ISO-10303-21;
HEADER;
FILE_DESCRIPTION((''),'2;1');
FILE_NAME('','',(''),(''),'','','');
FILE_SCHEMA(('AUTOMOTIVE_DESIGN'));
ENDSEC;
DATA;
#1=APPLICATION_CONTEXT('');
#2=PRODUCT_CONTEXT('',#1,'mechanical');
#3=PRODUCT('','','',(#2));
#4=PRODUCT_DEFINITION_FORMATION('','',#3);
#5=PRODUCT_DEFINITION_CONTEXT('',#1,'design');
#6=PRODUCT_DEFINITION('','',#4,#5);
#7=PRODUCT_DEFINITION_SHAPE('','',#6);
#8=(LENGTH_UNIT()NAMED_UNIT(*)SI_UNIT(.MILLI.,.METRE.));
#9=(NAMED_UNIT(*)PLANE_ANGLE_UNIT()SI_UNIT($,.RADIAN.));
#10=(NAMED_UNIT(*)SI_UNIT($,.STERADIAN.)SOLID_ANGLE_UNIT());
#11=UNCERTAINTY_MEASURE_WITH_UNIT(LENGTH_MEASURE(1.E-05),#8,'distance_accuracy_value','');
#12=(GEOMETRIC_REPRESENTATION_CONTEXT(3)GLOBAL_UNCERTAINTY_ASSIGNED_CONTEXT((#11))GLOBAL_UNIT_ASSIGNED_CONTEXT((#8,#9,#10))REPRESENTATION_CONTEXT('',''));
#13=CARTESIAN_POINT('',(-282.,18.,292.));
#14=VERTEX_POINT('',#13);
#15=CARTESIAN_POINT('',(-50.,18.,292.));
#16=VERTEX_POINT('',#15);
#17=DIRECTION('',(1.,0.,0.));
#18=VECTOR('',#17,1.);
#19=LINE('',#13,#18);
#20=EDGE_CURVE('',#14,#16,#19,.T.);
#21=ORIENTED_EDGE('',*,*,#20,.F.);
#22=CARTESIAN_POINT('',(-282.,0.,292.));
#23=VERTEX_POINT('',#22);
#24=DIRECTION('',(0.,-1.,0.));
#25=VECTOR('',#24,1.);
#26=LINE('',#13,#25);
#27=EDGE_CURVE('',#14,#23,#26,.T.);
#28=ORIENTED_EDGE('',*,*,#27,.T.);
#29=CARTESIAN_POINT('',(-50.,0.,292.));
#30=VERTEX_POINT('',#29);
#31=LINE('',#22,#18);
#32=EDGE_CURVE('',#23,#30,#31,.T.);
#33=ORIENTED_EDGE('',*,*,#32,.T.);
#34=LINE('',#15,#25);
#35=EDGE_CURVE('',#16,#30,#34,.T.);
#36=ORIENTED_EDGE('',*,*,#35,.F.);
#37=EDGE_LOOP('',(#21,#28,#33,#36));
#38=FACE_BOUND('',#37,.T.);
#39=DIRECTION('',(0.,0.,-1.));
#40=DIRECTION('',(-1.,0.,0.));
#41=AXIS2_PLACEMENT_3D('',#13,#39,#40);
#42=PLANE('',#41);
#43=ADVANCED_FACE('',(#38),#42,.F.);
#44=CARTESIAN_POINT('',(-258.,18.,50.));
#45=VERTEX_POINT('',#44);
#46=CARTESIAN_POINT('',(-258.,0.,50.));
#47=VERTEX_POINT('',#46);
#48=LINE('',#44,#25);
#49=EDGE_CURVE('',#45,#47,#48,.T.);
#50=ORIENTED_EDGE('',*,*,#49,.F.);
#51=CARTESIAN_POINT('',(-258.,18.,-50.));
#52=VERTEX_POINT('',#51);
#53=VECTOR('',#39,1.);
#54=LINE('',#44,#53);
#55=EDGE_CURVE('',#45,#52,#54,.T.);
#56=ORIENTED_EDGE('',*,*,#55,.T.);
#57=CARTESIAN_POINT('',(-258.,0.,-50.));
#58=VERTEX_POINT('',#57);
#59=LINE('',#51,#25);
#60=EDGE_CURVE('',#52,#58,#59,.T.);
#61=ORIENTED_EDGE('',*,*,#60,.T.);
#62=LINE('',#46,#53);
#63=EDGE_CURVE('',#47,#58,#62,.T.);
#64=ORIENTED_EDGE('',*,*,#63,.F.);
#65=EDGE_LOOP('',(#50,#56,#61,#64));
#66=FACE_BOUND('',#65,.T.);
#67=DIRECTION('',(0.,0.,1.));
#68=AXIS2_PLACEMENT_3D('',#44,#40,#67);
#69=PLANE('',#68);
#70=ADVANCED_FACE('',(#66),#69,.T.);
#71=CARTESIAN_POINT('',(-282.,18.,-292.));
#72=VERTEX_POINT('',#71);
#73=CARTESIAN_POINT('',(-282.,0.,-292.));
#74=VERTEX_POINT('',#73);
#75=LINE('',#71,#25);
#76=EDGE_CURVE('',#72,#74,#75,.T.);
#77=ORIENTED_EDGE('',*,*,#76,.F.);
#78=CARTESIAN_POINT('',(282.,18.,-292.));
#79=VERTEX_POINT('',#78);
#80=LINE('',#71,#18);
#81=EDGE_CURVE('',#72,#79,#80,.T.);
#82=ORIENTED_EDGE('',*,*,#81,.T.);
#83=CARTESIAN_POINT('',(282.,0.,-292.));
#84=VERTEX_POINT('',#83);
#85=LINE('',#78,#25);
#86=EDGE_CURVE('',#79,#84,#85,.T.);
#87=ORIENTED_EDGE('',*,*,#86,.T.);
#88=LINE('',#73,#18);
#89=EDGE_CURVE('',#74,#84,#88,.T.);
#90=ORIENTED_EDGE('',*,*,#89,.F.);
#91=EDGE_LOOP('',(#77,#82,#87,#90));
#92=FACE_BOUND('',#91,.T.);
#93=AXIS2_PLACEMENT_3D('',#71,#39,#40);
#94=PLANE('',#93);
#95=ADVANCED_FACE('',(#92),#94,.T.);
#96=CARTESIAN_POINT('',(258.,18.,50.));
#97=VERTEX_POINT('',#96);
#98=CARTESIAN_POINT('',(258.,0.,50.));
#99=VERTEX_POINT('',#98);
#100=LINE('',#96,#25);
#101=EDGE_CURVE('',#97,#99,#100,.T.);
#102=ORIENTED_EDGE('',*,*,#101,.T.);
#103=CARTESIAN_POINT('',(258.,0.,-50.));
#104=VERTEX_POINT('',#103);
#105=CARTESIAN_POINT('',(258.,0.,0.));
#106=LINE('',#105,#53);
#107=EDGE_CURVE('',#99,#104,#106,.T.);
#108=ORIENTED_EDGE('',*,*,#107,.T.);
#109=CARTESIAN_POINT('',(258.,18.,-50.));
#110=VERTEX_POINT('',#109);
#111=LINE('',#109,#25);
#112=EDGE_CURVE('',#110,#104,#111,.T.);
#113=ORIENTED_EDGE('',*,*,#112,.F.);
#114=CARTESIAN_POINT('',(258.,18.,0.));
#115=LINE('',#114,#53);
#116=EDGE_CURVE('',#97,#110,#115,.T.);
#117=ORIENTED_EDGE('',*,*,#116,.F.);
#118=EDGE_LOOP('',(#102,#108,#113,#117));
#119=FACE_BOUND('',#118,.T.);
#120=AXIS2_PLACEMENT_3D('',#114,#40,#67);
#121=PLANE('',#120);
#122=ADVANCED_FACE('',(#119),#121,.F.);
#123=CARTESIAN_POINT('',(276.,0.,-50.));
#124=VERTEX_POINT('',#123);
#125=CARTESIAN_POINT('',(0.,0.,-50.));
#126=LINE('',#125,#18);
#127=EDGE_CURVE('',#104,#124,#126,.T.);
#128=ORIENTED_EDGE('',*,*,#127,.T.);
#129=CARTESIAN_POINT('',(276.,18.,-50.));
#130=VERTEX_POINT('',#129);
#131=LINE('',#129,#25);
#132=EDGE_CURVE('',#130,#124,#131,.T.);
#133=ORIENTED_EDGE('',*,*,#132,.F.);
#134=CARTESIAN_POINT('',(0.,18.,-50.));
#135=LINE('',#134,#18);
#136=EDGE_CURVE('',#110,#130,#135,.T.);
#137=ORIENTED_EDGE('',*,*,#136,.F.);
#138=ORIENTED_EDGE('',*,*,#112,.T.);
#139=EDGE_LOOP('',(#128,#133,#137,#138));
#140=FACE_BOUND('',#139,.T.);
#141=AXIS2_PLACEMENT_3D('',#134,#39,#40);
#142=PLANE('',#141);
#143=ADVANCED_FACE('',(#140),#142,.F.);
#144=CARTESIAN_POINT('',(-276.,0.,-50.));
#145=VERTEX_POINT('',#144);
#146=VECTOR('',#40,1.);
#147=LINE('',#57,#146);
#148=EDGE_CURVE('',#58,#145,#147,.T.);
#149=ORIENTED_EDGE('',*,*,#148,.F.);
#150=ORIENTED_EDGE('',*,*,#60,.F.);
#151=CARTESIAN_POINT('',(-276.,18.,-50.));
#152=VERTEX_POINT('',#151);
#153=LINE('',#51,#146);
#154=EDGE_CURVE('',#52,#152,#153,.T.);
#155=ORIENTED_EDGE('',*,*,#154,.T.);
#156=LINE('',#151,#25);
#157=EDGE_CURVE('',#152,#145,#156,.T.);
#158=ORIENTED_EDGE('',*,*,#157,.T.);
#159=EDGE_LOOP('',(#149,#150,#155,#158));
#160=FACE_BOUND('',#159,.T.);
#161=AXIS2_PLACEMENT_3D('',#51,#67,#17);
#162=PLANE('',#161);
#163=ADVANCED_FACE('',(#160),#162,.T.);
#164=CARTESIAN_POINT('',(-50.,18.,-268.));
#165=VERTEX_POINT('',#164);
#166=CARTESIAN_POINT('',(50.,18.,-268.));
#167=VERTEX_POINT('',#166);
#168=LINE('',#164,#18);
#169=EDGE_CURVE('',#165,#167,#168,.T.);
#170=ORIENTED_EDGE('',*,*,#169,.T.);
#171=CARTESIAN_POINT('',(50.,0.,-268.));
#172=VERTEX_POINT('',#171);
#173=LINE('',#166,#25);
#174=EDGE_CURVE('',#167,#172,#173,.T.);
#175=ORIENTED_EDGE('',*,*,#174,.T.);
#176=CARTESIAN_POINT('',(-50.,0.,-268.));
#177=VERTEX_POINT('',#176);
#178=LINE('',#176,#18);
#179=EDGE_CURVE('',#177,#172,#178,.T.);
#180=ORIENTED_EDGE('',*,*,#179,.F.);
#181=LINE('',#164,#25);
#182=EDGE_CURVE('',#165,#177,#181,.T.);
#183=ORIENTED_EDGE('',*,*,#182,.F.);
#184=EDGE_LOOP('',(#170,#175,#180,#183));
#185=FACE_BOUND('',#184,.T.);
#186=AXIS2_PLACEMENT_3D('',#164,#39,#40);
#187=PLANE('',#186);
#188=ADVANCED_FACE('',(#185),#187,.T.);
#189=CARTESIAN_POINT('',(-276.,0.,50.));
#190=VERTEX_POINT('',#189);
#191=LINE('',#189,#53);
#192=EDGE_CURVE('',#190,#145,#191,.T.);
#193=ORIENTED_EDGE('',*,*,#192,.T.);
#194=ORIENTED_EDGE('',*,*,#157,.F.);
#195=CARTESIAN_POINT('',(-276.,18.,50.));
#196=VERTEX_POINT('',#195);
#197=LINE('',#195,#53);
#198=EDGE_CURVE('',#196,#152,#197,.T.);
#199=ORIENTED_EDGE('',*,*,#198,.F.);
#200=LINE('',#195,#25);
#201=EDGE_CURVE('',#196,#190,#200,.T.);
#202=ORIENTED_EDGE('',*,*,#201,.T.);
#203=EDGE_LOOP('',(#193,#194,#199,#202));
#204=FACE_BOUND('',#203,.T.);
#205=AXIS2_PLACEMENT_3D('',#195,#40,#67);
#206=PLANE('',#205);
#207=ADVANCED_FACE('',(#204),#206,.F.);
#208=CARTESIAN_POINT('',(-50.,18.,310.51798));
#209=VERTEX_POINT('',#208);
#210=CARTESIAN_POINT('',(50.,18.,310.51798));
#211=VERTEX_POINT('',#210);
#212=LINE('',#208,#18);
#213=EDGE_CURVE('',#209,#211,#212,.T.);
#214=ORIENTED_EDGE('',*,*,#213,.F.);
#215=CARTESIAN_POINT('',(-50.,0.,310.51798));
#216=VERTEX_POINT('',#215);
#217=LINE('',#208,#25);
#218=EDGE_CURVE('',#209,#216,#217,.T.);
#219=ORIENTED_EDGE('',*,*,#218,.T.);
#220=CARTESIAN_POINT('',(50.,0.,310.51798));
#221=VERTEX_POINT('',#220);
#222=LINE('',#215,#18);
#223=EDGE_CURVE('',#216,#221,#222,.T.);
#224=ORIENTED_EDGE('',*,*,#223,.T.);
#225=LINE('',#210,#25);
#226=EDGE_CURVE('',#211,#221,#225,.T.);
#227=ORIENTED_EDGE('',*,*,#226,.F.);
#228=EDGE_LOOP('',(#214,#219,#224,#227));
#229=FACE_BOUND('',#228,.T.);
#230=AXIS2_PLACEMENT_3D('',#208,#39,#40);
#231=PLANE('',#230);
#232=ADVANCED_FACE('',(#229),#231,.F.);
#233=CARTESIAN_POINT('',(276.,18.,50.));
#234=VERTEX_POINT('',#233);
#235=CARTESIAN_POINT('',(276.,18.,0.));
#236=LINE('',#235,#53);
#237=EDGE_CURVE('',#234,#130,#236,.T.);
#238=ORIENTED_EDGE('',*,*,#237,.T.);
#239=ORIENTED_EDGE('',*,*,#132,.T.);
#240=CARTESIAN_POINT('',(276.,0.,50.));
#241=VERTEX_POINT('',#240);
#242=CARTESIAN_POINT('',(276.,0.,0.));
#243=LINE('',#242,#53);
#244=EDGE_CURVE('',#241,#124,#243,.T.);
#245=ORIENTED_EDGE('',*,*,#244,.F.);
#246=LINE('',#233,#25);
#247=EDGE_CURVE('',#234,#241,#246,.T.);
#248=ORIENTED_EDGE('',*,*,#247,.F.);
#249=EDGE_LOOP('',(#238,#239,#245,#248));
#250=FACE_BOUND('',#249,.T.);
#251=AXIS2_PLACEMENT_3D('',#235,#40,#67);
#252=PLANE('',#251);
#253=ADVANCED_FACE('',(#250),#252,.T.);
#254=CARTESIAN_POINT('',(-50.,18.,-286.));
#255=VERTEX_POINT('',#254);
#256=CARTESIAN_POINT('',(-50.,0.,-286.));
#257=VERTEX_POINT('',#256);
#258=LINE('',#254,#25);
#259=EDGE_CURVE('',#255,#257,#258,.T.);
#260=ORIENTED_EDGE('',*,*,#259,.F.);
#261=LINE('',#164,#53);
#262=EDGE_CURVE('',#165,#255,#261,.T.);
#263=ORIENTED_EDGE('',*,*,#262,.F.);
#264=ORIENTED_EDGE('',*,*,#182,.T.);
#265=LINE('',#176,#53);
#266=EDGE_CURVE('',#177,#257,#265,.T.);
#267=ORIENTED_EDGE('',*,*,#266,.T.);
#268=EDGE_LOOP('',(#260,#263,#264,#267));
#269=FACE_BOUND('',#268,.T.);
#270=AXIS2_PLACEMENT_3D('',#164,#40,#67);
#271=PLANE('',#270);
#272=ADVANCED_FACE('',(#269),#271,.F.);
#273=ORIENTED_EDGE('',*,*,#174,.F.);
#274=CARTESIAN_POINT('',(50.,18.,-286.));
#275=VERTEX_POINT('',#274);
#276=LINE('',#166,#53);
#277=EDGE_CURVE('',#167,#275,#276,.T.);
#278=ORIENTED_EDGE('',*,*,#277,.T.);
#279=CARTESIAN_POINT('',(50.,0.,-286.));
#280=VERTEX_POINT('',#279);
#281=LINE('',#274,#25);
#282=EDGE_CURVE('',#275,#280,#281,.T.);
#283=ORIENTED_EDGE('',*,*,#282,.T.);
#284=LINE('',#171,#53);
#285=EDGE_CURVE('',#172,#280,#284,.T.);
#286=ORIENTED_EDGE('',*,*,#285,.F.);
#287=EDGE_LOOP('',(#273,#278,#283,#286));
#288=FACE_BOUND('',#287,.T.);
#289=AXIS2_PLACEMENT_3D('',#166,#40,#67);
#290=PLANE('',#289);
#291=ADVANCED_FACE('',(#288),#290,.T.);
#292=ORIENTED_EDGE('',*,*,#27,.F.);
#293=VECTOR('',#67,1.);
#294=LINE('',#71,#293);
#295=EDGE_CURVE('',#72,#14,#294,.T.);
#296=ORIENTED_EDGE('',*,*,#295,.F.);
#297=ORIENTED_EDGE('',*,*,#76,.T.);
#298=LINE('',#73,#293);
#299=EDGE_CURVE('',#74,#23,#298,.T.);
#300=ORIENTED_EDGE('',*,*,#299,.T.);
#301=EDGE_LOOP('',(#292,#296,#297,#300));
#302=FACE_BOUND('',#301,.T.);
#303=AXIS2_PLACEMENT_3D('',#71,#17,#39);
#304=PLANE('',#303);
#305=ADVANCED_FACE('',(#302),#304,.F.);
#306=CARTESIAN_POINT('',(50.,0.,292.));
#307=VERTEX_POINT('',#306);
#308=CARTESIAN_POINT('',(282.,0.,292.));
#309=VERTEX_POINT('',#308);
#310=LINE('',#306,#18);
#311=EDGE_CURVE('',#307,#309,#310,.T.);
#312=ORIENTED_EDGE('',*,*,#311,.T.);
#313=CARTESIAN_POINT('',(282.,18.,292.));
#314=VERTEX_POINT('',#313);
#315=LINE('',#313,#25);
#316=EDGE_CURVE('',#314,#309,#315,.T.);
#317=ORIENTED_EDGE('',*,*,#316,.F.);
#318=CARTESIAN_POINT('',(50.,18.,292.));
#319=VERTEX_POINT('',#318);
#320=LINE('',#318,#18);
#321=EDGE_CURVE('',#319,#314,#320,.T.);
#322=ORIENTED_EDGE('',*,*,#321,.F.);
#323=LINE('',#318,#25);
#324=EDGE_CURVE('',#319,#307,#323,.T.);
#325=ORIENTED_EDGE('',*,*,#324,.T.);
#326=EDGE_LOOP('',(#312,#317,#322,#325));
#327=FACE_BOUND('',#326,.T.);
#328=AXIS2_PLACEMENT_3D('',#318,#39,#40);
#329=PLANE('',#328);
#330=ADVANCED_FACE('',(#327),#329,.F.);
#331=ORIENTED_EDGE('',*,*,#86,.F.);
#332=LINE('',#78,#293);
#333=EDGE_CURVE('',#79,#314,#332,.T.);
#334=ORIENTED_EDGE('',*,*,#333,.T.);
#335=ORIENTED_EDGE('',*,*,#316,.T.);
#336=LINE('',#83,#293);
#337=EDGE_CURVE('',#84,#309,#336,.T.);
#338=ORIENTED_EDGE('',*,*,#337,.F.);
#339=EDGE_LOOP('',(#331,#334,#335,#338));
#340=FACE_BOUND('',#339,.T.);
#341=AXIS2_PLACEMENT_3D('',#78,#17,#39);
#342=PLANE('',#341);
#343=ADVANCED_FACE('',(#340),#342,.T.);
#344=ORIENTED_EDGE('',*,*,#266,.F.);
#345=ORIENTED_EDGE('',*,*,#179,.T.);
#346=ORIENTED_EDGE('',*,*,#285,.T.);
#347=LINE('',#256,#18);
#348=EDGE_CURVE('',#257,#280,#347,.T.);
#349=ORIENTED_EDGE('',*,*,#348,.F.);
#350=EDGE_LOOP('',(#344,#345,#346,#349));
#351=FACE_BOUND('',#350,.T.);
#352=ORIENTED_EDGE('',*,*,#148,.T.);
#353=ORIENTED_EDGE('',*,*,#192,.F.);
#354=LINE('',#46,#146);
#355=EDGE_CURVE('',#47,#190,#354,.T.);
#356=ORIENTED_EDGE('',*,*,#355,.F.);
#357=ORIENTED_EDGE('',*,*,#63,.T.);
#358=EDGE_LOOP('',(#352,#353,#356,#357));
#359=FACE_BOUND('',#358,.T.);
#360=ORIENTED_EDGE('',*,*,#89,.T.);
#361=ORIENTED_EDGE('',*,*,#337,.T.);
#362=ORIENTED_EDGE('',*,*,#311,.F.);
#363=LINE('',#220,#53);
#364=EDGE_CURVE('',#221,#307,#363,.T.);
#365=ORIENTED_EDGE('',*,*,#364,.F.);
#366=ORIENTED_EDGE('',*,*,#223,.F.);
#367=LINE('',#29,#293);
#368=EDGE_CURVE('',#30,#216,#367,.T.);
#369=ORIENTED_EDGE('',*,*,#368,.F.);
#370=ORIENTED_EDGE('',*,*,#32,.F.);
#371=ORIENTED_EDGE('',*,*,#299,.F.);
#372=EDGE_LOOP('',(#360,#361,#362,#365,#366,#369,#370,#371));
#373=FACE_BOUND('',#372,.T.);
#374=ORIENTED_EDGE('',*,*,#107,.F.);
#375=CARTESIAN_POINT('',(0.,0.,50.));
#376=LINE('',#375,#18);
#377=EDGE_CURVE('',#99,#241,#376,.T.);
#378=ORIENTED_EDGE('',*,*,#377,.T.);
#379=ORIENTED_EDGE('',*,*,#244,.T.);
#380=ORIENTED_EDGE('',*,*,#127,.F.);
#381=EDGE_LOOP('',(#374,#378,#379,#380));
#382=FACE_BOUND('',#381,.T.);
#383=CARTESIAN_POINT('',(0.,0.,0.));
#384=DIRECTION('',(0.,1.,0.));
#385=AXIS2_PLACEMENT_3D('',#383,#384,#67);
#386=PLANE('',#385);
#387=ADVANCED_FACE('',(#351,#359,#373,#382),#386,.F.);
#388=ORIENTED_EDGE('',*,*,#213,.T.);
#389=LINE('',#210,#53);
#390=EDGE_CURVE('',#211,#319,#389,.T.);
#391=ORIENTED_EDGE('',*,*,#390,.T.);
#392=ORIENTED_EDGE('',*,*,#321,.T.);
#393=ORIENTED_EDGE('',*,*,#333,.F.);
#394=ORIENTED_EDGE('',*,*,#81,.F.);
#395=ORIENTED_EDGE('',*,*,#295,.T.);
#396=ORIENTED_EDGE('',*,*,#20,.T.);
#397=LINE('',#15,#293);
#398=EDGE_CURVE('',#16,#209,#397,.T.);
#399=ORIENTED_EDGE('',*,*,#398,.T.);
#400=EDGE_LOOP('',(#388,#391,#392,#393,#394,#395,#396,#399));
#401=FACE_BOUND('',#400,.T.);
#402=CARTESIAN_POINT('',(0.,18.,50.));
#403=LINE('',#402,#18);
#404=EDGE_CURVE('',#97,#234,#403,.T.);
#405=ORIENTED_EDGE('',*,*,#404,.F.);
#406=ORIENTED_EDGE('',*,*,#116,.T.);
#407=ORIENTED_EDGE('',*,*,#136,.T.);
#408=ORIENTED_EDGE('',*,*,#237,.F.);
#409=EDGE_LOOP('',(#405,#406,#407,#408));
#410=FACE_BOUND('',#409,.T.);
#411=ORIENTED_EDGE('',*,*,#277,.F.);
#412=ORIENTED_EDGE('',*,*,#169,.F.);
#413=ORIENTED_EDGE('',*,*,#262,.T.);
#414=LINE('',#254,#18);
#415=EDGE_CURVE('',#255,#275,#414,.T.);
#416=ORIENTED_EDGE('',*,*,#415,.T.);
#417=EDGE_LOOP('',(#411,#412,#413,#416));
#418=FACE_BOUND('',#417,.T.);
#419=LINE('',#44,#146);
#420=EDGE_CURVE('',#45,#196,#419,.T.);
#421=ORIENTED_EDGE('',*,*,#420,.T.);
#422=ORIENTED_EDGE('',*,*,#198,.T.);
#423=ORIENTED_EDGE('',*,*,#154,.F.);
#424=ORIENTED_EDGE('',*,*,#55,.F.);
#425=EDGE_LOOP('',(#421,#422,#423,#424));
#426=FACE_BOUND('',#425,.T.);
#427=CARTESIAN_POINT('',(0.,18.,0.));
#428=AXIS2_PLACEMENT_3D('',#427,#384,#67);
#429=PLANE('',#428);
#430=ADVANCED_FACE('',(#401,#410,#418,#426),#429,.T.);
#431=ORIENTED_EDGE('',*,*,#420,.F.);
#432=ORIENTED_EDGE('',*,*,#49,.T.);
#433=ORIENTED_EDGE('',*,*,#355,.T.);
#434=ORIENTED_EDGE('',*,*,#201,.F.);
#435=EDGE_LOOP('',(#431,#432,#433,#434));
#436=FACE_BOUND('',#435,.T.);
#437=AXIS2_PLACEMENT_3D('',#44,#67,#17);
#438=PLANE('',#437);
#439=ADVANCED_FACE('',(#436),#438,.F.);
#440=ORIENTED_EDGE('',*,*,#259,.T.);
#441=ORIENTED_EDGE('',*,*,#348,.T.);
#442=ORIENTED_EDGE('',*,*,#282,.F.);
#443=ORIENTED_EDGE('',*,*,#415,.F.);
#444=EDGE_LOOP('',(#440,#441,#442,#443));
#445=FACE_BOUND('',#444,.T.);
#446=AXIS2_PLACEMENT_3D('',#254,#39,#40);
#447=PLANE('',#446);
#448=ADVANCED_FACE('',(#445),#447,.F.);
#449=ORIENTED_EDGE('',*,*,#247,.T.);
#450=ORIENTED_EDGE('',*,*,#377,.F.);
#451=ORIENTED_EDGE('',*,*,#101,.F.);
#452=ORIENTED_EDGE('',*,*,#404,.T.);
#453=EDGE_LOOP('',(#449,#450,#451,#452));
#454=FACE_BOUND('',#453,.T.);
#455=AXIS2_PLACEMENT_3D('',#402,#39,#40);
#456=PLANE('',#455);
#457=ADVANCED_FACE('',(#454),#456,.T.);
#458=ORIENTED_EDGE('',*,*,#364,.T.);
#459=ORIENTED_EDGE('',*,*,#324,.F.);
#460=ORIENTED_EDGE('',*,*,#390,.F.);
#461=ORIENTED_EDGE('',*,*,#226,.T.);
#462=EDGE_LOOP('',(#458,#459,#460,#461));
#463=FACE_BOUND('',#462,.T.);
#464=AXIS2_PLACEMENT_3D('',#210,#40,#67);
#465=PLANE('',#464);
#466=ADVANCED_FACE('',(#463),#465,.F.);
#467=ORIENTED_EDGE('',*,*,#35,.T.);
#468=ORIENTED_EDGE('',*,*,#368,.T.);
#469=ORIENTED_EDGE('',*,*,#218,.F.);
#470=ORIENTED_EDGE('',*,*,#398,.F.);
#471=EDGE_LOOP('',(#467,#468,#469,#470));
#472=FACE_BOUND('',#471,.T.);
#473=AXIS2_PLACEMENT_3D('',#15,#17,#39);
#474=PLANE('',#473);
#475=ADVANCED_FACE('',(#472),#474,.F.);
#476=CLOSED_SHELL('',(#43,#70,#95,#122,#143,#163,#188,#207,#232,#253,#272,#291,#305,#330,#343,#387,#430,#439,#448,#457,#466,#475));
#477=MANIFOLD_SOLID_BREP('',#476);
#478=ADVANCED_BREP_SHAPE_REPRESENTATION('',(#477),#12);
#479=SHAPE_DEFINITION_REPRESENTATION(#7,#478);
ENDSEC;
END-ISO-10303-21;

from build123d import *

# Parameters (mm, degrees)
BOSS_EXTRUDE2_DEPTH = 18
SKETCH2_W           = 18
SKETCH2_H           = 100
CUT_EXTRUDE1_DEPTH  = 18
SKETCH3_W           = 100
SKETCH3_H           = 18
CUT_EXTRUDE2_DEPTH  = 18


with BuildPart() as part:
    # Sketch1 → Boss-Extrude2 (new body)
    with BuildSketch(Plane(origin=(0, 0, 0), x_dir=(1, 0, 0), z_dir=(0, 1, 0))):
        Polygon((-282, 292), (282, 292), (282, -292), (50, -292), (50, -310.517979904), (-50, -310.517979904), (-50, -292), (-282, -292), align=None)
    extrude(amount=BOSS_EXTRUDE2_DEPTH)

    # Sketch2 → Cut-Extrude1 (cut)
    with BuildSketch(Plane.XZ):
        with Locations((267, 0)):
            Rectangle(SKETCH2_W, SKETCH2_H)
        with Locations((-267, 0)):
            Rectangle(SKETCH2_W, SKETCH2_H)
    extrude(amount=-CUT_EXTRUDE1_DEPTH, mode=Mode.SUBTRACT)

    # Sketch3 → Cut-Extrude2 (cut)
    with BuildSketch(Plane.XZ):
        with Locations((0, -277)):
            Rectangle(SKETCH3_W, SKETCH3_H)
    extrude(amount=-CUT_EXTRUDE2_DEPTH, mode=Mode.SUBTRACT)


solid = part.part
